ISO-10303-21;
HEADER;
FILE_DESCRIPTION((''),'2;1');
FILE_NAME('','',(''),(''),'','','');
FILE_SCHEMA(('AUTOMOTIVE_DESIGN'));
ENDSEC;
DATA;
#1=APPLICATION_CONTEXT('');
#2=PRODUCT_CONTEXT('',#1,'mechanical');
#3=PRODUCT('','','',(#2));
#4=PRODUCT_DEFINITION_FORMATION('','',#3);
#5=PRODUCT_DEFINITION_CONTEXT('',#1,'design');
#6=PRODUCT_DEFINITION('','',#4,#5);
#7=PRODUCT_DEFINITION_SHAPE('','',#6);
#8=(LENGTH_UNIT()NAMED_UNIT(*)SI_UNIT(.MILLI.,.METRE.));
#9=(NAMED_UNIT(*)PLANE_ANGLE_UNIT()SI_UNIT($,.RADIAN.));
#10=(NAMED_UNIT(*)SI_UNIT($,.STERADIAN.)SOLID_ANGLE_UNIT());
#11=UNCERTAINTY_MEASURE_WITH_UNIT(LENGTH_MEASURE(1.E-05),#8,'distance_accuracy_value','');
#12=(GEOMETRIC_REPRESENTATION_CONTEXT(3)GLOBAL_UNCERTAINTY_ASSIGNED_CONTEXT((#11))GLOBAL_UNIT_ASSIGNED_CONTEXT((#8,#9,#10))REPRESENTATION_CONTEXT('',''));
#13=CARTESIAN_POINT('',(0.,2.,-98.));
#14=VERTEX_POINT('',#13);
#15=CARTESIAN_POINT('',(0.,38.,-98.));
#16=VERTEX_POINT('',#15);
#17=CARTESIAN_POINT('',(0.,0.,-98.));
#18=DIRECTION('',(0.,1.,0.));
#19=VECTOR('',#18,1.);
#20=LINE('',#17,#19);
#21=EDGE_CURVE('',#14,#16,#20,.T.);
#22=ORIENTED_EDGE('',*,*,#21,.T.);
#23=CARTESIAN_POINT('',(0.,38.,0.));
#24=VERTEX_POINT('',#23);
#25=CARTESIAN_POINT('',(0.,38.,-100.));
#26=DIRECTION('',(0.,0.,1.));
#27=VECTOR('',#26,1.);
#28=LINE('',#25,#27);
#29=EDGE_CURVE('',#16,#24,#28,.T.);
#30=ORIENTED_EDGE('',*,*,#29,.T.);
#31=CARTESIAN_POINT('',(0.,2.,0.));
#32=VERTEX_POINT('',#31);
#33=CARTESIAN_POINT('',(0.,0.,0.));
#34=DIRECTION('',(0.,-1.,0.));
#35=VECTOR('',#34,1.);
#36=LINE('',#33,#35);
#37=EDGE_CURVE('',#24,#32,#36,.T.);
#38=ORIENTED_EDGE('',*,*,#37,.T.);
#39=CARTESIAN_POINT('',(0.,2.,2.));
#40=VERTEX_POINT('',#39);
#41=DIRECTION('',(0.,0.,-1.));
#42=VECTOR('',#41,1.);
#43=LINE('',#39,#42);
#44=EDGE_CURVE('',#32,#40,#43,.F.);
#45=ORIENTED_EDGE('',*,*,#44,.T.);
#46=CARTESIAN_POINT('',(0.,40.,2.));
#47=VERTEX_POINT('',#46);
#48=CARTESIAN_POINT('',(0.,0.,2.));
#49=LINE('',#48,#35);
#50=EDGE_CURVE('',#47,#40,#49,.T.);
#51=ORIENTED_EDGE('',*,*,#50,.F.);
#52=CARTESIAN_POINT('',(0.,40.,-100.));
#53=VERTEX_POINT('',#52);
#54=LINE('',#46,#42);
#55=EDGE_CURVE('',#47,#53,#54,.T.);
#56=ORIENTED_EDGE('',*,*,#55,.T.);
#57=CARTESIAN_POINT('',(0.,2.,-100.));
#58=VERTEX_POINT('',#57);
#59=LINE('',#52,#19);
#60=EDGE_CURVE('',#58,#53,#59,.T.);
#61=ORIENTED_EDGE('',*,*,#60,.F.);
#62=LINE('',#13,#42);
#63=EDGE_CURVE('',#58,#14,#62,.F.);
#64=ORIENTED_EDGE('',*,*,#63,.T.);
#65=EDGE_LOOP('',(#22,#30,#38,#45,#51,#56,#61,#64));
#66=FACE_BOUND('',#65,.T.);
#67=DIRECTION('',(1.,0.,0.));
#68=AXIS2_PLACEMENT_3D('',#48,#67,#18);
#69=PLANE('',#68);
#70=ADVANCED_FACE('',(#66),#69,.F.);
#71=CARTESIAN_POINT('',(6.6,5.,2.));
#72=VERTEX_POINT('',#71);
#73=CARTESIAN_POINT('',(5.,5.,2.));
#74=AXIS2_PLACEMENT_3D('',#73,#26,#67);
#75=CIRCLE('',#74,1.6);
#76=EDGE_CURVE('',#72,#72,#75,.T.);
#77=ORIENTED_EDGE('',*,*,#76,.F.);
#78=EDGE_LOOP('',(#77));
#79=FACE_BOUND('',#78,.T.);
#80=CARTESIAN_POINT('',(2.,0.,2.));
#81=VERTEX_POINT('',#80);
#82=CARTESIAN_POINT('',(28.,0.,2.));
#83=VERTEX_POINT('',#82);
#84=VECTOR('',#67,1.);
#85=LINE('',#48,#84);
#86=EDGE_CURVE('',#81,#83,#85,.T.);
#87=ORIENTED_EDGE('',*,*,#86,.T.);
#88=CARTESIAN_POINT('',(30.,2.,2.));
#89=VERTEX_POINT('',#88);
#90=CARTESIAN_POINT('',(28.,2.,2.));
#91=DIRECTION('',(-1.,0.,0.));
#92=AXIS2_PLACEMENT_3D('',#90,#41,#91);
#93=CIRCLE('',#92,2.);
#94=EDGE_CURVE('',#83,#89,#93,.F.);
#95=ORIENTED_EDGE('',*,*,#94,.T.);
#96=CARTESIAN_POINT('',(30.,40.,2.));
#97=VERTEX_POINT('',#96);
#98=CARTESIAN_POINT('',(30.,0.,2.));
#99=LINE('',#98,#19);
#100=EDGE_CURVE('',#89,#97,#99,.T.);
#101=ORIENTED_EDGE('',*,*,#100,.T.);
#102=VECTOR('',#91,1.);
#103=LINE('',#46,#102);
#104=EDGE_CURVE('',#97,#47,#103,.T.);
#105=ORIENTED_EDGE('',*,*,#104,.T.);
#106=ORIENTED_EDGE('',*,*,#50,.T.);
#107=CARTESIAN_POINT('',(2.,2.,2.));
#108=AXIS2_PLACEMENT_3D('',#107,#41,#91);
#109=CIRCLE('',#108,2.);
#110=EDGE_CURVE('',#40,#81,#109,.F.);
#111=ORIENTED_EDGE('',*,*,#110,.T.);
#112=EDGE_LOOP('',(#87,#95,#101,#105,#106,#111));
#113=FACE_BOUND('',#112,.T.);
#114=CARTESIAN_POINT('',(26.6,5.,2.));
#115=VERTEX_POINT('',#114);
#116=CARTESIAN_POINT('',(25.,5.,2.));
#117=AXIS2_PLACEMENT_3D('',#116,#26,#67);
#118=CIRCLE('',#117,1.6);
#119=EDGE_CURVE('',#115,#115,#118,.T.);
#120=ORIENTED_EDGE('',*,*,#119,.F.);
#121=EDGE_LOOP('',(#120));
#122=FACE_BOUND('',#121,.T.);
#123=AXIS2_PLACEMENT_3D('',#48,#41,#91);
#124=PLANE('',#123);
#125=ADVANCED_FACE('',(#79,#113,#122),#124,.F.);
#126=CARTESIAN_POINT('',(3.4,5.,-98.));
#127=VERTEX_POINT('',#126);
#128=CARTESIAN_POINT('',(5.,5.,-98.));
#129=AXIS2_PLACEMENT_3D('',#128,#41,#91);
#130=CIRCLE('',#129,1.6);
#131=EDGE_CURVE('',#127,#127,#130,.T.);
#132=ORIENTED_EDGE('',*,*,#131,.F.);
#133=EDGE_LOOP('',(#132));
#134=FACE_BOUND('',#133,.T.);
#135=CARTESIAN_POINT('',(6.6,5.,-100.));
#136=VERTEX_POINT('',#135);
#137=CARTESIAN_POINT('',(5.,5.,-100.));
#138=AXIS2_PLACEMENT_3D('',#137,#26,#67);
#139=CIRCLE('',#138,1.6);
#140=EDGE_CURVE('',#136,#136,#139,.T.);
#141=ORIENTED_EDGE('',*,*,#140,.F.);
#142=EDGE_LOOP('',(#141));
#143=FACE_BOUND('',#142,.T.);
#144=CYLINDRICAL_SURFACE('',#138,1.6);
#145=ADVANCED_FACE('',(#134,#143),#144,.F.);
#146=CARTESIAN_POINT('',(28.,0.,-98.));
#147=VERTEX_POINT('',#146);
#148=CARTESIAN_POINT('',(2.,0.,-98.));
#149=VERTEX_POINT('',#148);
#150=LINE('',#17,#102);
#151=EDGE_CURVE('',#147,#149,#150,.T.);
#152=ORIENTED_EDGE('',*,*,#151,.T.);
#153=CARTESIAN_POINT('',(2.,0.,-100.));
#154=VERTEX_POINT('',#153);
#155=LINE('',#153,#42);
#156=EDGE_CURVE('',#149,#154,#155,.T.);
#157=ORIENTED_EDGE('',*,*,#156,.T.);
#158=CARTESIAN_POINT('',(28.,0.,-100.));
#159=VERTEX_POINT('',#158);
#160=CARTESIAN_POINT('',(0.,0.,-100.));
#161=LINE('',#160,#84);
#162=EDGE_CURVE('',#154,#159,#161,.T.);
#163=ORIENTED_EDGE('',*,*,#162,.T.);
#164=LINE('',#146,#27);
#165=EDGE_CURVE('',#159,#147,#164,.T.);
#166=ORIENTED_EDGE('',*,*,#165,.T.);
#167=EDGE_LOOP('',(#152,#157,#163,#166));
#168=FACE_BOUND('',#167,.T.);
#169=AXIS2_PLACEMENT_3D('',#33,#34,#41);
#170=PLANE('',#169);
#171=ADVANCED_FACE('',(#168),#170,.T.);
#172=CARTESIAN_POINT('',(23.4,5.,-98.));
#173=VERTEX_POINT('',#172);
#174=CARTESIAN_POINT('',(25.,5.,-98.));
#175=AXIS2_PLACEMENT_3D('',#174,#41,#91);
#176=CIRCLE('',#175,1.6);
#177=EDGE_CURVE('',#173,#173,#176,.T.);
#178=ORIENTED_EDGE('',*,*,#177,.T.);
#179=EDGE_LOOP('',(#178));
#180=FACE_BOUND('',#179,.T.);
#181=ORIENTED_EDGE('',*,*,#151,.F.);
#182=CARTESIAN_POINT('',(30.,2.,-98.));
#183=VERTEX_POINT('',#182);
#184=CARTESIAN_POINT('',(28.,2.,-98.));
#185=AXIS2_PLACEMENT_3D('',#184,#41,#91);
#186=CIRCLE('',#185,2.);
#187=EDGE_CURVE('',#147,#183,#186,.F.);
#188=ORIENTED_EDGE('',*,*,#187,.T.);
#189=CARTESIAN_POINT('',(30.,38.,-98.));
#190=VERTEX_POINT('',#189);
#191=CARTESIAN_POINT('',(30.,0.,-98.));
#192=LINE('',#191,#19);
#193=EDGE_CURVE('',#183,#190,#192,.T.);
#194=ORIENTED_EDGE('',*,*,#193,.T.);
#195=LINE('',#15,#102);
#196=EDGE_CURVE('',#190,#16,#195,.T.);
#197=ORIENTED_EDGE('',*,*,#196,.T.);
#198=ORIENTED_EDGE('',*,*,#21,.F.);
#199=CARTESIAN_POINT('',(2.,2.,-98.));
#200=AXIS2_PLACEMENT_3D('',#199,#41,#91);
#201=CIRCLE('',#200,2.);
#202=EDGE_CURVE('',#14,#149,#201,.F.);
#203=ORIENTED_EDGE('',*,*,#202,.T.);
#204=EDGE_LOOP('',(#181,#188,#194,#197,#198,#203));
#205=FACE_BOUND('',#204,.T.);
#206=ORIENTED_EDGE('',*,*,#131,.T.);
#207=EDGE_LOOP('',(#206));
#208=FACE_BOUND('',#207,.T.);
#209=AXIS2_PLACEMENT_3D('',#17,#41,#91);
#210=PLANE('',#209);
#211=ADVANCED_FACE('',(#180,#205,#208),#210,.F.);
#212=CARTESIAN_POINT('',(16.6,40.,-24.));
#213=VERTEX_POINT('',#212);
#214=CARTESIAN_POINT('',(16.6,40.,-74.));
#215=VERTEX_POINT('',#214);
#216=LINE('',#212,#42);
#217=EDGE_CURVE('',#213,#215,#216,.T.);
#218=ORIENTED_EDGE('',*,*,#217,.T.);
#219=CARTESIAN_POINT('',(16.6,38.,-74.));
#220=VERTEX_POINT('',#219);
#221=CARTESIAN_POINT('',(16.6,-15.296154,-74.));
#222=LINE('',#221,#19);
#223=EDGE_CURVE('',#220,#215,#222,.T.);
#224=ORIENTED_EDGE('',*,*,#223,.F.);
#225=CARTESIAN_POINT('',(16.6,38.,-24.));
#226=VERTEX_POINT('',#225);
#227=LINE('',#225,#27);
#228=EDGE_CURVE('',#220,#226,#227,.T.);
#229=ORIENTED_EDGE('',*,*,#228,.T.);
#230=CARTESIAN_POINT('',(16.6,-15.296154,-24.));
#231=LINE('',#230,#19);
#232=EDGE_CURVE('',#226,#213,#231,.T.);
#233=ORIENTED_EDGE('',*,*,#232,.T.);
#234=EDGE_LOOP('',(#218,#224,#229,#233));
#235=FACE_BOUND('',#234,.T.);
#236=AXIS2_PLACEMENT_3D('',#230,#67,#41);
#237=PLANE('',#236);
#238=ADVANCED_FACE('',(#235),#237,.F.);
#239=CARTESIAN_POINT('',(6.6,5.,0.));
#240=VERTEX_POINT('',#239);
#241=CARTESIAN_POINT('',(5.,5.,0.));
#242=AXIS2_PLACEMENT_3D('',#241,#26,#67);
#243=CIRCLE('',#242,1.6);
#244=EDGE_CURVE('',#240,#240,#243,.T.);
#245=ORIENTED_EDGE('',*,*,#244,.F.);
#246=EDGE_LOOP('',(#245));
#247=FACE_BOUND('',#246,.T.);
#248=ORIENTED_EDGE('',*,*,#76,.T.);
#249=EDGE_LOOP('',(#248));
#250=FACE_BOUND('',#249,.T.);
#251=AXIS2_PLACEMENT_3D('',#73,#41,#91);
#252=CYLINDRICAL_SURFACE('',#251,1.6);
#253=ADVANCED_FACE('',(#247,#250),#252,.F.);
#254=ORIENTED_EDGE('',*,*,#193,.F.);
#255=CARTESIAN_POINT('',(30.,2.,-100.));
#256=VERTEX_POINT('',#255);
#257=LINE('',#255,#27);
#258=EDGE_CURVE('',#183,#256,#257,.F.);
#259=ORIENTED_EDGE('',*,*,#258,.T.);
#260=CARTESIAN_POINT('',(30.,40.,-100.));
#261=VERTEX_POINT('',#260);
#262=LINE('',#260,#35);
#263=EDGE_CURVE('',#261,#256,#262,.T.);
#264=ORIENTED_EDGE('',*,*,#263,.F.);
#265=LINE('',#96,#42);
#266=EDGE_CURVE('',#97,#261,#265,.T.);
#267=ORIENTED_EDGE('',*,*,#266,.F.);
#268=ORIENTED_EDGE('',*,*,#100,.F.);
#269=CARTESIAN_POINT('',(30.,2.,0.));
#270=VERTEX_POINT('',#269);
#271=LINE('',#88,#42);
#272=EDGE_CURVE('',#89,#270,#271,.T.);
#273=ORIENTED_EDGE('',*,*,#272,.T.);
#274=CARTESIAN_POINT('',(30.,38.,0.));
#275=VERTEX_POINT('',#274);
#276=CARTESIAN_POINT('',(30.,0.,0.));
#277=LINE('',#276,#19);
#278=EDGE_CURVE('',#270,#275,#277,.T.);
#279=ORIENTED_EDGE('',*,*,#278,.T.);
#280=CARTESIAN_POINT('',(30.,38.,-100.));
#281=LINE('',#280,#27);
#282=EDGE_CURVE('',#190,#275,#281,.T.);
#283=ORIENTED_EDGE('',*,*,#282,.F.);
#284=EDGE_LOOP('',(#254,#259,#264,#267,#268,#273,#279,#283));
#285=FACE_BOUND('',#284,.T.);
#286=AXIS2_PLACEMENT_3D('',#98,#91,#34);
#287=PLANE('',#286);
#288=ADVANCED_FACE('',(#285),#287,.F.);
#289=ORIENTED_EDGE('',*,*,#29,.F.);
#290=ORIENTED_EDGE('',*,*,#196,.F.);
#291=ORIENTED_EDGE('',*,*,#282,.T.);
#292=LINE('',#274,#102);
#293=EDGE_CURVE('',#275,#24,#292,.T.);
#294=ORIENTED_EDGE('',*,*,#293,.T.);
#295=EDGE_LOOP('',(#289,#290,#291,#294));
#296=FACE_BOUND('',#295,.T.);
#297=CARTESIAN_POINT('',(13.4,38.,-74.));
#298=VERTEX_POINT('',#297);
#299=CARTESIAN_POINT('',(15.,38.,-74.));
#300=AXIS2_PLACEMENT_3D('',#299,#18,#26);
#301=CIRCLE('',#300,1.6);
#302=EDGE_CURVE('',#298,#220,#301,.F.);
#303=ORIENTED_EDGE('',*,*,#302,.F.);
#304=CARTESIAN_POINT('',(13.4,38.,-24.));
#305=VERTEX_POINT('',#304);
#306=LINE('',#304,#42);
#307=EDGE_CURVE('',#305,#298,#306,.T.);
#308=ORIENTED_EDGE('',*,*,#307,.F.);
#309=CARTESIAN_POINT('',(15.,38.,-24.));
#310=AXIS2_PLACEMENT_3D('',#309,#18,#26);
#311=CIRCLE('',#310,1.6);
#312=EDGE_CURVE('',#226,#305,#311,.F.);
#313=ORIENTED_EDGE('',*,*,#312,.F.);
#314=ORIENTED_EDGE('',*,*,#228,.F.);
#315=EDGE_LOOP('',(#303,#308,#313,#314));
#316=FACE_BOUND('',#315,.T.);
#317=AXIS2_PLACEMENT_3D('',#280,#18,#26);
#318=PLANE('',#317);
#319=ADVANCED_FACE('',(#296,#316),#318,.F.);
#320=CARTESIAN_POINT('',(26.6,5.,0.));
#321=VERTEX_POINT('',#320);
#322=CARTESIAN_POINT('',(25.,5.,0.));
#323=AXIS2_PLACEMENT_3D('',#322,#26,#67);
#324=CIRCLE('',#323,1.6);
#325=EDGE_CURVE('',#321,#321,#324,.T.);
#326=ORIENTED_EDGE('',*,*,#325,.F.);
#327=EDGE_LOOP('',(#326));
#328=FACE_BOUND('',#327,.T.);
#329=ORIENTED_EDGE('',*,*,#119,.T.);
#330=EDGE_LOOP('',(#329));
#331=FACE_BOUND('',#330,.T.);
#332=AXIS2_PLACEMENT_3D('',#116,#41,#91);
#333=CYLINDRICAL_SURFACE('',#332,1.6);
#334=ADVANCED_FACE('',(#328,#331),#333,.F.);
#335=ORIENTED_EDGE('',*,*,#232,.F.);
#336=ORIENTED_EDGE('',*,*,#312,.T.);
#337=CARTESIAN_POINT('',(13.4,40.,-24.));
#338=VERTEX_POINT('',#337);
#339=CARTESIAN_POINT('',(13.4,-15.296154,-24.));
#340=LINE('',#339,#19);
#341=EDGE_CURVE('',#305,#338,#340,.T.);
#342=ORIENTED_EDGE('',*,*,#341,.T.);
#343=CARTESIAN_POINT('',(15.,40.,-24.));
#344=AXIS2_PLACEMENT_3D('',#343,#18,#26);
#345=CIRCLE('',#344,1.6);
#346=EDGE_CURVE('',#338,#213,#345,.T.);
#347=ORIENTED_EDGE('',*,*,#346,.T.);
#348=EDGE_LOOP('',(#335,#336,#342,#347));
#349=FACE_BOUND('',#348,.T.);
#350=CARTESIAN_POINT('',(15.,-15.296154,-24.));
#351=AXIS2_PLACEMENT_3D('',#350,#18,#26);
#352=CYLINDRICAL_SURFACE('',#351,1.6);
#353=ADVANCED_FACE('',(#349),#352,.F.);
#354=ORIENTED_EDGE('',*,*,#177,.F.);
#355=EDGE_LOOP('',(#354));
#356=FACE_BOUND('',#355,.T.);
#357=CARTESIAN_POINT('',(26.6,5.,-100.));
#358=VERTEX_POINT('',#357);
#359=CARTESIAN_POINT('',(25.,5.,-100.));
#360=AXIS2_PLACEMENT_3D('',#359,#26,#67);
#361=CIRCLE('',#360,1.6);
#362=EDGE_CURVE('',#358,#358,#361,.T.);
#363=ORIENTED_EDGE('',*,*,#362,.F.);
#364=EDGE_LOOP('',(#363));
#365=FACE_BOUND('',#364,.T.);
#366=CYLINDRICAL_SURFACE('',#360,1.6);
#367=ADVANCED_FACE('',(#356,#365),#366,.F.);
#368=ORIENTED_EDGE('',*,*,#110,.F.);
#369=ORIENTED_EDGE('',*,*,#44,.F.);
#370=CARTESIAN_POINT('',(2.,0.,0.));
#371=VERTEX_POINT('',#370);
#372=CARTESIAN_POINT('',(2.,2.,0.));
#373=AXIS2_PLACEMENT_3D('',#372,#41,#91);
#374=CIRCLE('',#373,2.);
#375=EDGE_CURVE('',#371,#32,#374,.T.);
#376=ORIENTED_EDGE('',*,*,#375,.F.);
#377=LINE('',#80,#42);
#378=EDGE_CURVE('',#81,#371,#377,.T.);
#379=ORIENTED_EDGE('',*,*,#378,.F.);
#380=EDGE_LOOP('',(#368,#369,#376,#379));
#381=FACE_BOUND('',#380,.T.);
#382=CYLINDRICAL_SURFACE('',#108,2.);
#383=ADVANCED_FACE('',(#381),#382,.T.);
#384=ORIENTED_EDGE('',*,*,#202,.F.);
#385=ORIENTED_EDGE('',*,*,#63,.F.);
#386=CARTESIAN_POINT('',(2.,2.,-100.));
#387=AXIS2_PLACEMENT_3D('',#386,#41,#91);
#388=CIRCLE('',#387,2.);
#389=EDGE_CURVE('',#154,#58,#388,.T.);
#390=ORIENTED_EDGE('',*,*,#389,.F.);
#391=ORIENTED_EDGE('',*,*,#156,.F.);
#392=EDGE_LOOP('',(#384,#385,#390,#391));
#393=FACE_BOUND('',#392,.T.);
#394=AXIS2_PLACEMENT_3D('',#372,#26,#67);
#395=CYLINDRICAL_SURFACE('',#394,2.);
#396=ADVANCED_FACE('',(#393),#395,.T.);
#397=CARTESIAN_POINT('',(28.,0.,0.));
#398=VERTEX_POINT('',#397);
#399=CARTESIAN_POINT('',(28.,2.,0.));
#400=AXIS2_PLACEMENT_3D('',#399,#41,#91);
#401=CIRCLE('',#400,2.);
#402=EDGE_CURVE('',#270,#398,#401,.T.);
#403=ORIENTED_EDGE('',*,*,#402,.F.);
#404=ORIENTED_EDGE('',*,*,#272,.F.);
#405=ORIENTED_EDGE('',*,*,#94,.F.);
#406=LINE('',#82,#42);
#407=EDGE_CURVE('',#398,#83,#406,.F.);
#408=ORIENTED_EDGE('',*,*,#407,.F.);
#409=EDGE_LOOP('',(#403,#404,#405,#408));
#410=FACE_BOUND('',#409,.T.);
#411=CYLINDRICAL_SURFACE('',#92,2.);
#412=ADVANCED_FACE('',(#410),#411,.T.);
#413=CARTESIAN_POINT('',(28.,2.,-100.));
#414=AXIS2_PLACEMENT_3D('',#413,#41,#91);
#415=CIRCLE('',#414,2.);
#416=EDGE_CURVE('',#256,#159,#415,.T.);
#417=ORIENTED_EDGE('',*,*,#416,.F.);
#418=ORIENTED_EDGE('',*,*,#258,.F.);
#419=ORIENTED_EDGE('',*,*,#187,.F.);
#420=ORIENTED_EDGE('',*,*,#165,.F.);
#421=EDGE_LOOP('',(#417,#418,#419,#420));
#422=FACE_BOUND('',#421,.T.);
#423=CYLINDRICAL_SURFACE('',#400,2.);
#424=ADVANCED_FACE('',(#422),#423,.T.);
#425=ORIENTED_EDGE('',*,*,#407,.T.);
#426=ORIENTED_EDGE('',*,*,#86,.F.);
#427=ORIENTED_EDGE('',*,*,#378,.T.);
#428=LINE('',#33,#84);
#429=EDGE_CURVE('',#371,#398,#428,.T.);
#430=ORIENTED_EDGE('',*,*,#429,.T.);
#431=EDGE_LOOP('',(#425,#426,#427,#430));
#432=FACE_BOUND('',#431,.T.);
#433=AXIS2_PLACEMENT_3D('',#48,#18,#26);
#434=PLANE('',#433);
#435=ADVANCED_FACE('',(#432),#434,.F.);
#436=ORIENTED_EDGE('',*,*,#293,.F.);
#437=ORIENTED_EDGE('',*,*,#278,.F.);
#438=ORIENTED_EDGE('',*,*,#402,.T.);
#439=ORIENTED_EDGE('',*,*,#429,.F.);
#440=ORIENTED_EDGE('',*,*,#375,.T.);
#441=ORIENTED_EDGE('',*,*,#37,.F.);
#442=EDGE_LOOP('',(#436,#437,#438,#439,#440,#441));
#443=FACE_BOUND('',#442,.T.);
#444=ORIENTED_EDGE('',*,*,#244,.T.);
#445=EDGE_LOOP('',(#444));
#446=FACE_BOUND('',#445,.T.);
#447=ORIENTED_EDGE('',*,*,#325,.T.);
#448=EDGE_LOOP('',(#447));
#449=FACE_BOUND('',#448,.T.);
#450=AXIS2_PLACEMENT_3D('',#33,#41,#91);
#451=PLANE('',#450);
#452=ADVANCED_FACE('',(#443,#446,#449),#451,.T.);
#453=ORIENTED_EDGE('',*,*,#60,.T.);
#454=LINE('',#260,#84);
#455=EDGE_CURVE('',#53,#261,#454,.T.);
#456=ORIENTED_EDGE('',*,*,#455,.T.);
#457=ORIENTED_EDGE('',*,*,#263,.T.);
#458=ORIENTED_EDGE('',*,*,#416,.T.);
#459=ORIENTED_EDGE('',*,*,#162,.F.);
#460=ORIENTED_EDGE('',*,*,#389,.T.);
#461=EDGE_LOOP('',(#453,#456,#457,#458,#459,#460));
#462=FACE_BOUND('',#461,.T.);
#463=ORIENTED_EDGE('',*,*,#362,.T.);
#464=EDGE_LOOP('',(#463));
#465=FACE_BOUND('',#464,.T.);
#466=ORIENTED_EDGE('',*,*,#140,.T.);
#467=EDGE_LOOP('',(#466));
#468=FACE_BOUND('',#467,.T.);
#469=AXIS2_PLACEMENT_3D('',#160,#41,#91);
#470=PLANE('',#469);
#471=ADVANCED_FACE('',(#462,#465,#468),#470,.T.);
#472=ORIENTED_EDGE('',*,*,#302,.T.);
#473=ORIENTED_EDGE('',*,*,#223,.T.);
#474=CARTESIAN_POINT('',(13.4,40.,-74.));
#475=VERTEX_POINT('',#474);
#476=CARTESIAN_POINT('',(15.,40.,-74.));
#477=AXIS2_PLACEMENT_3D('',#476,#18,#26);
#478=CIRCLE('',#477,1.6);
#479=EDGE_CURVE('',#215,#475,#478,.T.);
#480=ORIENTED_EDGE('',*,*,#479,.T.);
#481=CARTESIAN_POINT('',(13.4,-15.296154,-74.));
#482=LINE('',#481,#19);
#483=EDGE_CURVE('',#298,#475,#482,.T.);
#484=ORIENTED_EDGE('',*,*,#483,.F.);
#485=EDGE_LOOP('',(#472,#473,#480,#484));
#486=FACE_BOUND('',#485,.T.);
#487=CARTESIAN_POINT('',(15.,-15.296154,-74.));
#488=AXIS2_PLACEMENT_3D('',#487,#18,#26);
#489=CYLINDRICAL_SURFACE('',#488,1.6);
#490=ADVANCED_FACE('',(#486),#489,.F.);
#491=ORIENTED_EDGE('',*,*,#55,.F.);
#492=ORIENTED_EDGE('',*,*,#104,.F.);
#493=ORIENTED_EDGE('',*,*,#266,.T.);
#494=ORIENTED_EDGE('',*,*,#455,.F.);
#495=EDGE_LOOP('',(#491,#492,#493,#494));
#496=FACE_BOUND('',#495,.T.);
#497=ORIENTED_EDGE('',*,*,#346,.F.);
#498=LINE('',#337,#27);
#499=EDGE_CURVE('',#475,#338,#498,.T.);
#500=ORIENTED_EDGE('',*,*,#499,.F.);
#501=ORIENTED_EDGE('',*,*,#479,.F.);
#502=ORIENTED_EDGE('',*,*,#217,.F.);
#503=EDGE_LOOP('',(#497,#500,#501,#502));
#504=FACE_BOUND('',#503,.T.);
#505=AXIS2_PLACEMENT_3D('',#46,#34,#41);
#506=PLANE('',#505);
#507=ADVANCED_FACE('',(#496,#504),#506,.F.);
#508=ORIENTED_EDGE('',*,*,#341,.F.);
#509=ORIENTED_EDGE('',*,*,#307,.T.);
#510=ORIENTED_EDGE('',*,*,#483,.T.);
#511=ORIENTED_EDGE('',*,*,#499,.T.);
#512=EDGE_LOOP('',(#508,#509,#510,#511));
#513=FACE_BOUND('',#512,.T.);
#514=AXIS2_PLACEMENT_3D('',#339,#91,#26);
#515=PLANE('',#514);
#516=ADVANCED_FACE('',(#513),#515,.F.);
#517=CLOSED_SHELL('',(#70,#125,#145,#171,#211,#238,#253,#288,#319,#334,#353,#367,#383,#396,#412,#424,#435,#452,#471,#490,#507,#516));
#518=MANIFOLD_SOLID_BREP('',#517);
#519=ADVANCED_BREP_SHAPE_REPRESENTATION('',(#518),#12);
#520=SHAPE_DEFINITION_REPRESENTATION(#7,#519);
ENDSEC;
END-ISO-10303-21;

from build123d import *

# Parameters (mm, degrees)
SKETCH_1_W          = 30
SKETCH_1_H          = 40
SKETCH_1_R          = 1.6
EXTRUDE_1_DEPTH     = 2
SKETCH_3_W          = 30
SKETCH_3_H          = 2
EXTRUDE_2_DEPTH     = 100
SKETCH_5_W          = 30
SKETCH_5_H          = 2
EXTRUDE_4_DEPTH     = 38
SKETCH_6_R          = 1.6
CUT_EXTRUDE_1_DEPTH = 114.595774569
CUT_EXTRUDE_2_DEPTH = 2
FILLET_1_R          = 2


with BuildPart() as part:
    # 草图1 → 凸台-拉伸1 (new body)
    with BuildSketch(Plane.XY):
        with Locations((15, 20)):
            Rectangle(SKETCH_1_W, SKETCH_1_H)
        with Locations((5, 5)):
            Circle(SKETCH_1_R, mode=Mode.SUBTRACT)
        with Locations((25, 5)):
            Circle(SKETCH_1_R, mode=Mode.SUBTRACT)
    extrude(amount=EXTRUDE_1_DEPTH)

    # 草图3 → 凸台-拉伸2 (add)
    with BuildSketch(Plane(origin=(0, 0, 0), x_dir=(-1, 0, 0), z_dir=(0, 0, -1))):
        with Locations((-15, 39)):
            Rectangle(SKETCH_3_W, SKETCH_3_H)
    extrude(amount=EXTRUDE_2_DEPTH)

    # 草图5 → 凸台-拉伸4 (add)
    with BuildSketch(Plane.XZ.offset(-38)):
        with Locations((15, -99)):
            Rectangle(SKETCH_5_W, SKETCH_5_H)
    extrude(amount=EXTRUDE_4_DEPTH)

    # 草图6 → 切除-拉伸1 (cut, through all)
    with BuildSketch(Plane.XY.offset(2)):
        with Locations((5, 5)):
            Circle(SKETCH_6_R)
        with Locations((25, 5)):
            Circle(SKETCH_6_R)
    extrude(amount=-CUT_EXTRUDE_1_DEPTH, mode=Mode.SUBTRACT)

    # 草图7 → 切除-拉伸2 (cut)
    with BuildSketch(Plane(origin=(0, 40, 0), x_dir=(1, 0, 0), z_dir=(0, 1, 0))):
        with BuildLine():
            Line((13.4, 24), (13.4, 74))
            ThreePointArc((13.4, 74), (15, 75.6), (16.6, 74))
            Line((16.6, 74), (16.6, 24))
            ThreePointArc((16.6, 24), (15, 22.4), (13.4, 24))
        make_face()
    extrude(amount=-CUT_EXTRUDE_2_DEPTH, mode=Mode.SUBTRACT)

    # 圆角1
    fillet_1_edges = [part.edges().sort_by_distance(p)[0] for p in [
        (0, 0, -99),
        (30, 0, -99),
        (30, 0, 1),
        (0, 0, 1),
    ]]
    fillet(fillet_1_edges, radius=FILLET_1_R)


solid = part.part
